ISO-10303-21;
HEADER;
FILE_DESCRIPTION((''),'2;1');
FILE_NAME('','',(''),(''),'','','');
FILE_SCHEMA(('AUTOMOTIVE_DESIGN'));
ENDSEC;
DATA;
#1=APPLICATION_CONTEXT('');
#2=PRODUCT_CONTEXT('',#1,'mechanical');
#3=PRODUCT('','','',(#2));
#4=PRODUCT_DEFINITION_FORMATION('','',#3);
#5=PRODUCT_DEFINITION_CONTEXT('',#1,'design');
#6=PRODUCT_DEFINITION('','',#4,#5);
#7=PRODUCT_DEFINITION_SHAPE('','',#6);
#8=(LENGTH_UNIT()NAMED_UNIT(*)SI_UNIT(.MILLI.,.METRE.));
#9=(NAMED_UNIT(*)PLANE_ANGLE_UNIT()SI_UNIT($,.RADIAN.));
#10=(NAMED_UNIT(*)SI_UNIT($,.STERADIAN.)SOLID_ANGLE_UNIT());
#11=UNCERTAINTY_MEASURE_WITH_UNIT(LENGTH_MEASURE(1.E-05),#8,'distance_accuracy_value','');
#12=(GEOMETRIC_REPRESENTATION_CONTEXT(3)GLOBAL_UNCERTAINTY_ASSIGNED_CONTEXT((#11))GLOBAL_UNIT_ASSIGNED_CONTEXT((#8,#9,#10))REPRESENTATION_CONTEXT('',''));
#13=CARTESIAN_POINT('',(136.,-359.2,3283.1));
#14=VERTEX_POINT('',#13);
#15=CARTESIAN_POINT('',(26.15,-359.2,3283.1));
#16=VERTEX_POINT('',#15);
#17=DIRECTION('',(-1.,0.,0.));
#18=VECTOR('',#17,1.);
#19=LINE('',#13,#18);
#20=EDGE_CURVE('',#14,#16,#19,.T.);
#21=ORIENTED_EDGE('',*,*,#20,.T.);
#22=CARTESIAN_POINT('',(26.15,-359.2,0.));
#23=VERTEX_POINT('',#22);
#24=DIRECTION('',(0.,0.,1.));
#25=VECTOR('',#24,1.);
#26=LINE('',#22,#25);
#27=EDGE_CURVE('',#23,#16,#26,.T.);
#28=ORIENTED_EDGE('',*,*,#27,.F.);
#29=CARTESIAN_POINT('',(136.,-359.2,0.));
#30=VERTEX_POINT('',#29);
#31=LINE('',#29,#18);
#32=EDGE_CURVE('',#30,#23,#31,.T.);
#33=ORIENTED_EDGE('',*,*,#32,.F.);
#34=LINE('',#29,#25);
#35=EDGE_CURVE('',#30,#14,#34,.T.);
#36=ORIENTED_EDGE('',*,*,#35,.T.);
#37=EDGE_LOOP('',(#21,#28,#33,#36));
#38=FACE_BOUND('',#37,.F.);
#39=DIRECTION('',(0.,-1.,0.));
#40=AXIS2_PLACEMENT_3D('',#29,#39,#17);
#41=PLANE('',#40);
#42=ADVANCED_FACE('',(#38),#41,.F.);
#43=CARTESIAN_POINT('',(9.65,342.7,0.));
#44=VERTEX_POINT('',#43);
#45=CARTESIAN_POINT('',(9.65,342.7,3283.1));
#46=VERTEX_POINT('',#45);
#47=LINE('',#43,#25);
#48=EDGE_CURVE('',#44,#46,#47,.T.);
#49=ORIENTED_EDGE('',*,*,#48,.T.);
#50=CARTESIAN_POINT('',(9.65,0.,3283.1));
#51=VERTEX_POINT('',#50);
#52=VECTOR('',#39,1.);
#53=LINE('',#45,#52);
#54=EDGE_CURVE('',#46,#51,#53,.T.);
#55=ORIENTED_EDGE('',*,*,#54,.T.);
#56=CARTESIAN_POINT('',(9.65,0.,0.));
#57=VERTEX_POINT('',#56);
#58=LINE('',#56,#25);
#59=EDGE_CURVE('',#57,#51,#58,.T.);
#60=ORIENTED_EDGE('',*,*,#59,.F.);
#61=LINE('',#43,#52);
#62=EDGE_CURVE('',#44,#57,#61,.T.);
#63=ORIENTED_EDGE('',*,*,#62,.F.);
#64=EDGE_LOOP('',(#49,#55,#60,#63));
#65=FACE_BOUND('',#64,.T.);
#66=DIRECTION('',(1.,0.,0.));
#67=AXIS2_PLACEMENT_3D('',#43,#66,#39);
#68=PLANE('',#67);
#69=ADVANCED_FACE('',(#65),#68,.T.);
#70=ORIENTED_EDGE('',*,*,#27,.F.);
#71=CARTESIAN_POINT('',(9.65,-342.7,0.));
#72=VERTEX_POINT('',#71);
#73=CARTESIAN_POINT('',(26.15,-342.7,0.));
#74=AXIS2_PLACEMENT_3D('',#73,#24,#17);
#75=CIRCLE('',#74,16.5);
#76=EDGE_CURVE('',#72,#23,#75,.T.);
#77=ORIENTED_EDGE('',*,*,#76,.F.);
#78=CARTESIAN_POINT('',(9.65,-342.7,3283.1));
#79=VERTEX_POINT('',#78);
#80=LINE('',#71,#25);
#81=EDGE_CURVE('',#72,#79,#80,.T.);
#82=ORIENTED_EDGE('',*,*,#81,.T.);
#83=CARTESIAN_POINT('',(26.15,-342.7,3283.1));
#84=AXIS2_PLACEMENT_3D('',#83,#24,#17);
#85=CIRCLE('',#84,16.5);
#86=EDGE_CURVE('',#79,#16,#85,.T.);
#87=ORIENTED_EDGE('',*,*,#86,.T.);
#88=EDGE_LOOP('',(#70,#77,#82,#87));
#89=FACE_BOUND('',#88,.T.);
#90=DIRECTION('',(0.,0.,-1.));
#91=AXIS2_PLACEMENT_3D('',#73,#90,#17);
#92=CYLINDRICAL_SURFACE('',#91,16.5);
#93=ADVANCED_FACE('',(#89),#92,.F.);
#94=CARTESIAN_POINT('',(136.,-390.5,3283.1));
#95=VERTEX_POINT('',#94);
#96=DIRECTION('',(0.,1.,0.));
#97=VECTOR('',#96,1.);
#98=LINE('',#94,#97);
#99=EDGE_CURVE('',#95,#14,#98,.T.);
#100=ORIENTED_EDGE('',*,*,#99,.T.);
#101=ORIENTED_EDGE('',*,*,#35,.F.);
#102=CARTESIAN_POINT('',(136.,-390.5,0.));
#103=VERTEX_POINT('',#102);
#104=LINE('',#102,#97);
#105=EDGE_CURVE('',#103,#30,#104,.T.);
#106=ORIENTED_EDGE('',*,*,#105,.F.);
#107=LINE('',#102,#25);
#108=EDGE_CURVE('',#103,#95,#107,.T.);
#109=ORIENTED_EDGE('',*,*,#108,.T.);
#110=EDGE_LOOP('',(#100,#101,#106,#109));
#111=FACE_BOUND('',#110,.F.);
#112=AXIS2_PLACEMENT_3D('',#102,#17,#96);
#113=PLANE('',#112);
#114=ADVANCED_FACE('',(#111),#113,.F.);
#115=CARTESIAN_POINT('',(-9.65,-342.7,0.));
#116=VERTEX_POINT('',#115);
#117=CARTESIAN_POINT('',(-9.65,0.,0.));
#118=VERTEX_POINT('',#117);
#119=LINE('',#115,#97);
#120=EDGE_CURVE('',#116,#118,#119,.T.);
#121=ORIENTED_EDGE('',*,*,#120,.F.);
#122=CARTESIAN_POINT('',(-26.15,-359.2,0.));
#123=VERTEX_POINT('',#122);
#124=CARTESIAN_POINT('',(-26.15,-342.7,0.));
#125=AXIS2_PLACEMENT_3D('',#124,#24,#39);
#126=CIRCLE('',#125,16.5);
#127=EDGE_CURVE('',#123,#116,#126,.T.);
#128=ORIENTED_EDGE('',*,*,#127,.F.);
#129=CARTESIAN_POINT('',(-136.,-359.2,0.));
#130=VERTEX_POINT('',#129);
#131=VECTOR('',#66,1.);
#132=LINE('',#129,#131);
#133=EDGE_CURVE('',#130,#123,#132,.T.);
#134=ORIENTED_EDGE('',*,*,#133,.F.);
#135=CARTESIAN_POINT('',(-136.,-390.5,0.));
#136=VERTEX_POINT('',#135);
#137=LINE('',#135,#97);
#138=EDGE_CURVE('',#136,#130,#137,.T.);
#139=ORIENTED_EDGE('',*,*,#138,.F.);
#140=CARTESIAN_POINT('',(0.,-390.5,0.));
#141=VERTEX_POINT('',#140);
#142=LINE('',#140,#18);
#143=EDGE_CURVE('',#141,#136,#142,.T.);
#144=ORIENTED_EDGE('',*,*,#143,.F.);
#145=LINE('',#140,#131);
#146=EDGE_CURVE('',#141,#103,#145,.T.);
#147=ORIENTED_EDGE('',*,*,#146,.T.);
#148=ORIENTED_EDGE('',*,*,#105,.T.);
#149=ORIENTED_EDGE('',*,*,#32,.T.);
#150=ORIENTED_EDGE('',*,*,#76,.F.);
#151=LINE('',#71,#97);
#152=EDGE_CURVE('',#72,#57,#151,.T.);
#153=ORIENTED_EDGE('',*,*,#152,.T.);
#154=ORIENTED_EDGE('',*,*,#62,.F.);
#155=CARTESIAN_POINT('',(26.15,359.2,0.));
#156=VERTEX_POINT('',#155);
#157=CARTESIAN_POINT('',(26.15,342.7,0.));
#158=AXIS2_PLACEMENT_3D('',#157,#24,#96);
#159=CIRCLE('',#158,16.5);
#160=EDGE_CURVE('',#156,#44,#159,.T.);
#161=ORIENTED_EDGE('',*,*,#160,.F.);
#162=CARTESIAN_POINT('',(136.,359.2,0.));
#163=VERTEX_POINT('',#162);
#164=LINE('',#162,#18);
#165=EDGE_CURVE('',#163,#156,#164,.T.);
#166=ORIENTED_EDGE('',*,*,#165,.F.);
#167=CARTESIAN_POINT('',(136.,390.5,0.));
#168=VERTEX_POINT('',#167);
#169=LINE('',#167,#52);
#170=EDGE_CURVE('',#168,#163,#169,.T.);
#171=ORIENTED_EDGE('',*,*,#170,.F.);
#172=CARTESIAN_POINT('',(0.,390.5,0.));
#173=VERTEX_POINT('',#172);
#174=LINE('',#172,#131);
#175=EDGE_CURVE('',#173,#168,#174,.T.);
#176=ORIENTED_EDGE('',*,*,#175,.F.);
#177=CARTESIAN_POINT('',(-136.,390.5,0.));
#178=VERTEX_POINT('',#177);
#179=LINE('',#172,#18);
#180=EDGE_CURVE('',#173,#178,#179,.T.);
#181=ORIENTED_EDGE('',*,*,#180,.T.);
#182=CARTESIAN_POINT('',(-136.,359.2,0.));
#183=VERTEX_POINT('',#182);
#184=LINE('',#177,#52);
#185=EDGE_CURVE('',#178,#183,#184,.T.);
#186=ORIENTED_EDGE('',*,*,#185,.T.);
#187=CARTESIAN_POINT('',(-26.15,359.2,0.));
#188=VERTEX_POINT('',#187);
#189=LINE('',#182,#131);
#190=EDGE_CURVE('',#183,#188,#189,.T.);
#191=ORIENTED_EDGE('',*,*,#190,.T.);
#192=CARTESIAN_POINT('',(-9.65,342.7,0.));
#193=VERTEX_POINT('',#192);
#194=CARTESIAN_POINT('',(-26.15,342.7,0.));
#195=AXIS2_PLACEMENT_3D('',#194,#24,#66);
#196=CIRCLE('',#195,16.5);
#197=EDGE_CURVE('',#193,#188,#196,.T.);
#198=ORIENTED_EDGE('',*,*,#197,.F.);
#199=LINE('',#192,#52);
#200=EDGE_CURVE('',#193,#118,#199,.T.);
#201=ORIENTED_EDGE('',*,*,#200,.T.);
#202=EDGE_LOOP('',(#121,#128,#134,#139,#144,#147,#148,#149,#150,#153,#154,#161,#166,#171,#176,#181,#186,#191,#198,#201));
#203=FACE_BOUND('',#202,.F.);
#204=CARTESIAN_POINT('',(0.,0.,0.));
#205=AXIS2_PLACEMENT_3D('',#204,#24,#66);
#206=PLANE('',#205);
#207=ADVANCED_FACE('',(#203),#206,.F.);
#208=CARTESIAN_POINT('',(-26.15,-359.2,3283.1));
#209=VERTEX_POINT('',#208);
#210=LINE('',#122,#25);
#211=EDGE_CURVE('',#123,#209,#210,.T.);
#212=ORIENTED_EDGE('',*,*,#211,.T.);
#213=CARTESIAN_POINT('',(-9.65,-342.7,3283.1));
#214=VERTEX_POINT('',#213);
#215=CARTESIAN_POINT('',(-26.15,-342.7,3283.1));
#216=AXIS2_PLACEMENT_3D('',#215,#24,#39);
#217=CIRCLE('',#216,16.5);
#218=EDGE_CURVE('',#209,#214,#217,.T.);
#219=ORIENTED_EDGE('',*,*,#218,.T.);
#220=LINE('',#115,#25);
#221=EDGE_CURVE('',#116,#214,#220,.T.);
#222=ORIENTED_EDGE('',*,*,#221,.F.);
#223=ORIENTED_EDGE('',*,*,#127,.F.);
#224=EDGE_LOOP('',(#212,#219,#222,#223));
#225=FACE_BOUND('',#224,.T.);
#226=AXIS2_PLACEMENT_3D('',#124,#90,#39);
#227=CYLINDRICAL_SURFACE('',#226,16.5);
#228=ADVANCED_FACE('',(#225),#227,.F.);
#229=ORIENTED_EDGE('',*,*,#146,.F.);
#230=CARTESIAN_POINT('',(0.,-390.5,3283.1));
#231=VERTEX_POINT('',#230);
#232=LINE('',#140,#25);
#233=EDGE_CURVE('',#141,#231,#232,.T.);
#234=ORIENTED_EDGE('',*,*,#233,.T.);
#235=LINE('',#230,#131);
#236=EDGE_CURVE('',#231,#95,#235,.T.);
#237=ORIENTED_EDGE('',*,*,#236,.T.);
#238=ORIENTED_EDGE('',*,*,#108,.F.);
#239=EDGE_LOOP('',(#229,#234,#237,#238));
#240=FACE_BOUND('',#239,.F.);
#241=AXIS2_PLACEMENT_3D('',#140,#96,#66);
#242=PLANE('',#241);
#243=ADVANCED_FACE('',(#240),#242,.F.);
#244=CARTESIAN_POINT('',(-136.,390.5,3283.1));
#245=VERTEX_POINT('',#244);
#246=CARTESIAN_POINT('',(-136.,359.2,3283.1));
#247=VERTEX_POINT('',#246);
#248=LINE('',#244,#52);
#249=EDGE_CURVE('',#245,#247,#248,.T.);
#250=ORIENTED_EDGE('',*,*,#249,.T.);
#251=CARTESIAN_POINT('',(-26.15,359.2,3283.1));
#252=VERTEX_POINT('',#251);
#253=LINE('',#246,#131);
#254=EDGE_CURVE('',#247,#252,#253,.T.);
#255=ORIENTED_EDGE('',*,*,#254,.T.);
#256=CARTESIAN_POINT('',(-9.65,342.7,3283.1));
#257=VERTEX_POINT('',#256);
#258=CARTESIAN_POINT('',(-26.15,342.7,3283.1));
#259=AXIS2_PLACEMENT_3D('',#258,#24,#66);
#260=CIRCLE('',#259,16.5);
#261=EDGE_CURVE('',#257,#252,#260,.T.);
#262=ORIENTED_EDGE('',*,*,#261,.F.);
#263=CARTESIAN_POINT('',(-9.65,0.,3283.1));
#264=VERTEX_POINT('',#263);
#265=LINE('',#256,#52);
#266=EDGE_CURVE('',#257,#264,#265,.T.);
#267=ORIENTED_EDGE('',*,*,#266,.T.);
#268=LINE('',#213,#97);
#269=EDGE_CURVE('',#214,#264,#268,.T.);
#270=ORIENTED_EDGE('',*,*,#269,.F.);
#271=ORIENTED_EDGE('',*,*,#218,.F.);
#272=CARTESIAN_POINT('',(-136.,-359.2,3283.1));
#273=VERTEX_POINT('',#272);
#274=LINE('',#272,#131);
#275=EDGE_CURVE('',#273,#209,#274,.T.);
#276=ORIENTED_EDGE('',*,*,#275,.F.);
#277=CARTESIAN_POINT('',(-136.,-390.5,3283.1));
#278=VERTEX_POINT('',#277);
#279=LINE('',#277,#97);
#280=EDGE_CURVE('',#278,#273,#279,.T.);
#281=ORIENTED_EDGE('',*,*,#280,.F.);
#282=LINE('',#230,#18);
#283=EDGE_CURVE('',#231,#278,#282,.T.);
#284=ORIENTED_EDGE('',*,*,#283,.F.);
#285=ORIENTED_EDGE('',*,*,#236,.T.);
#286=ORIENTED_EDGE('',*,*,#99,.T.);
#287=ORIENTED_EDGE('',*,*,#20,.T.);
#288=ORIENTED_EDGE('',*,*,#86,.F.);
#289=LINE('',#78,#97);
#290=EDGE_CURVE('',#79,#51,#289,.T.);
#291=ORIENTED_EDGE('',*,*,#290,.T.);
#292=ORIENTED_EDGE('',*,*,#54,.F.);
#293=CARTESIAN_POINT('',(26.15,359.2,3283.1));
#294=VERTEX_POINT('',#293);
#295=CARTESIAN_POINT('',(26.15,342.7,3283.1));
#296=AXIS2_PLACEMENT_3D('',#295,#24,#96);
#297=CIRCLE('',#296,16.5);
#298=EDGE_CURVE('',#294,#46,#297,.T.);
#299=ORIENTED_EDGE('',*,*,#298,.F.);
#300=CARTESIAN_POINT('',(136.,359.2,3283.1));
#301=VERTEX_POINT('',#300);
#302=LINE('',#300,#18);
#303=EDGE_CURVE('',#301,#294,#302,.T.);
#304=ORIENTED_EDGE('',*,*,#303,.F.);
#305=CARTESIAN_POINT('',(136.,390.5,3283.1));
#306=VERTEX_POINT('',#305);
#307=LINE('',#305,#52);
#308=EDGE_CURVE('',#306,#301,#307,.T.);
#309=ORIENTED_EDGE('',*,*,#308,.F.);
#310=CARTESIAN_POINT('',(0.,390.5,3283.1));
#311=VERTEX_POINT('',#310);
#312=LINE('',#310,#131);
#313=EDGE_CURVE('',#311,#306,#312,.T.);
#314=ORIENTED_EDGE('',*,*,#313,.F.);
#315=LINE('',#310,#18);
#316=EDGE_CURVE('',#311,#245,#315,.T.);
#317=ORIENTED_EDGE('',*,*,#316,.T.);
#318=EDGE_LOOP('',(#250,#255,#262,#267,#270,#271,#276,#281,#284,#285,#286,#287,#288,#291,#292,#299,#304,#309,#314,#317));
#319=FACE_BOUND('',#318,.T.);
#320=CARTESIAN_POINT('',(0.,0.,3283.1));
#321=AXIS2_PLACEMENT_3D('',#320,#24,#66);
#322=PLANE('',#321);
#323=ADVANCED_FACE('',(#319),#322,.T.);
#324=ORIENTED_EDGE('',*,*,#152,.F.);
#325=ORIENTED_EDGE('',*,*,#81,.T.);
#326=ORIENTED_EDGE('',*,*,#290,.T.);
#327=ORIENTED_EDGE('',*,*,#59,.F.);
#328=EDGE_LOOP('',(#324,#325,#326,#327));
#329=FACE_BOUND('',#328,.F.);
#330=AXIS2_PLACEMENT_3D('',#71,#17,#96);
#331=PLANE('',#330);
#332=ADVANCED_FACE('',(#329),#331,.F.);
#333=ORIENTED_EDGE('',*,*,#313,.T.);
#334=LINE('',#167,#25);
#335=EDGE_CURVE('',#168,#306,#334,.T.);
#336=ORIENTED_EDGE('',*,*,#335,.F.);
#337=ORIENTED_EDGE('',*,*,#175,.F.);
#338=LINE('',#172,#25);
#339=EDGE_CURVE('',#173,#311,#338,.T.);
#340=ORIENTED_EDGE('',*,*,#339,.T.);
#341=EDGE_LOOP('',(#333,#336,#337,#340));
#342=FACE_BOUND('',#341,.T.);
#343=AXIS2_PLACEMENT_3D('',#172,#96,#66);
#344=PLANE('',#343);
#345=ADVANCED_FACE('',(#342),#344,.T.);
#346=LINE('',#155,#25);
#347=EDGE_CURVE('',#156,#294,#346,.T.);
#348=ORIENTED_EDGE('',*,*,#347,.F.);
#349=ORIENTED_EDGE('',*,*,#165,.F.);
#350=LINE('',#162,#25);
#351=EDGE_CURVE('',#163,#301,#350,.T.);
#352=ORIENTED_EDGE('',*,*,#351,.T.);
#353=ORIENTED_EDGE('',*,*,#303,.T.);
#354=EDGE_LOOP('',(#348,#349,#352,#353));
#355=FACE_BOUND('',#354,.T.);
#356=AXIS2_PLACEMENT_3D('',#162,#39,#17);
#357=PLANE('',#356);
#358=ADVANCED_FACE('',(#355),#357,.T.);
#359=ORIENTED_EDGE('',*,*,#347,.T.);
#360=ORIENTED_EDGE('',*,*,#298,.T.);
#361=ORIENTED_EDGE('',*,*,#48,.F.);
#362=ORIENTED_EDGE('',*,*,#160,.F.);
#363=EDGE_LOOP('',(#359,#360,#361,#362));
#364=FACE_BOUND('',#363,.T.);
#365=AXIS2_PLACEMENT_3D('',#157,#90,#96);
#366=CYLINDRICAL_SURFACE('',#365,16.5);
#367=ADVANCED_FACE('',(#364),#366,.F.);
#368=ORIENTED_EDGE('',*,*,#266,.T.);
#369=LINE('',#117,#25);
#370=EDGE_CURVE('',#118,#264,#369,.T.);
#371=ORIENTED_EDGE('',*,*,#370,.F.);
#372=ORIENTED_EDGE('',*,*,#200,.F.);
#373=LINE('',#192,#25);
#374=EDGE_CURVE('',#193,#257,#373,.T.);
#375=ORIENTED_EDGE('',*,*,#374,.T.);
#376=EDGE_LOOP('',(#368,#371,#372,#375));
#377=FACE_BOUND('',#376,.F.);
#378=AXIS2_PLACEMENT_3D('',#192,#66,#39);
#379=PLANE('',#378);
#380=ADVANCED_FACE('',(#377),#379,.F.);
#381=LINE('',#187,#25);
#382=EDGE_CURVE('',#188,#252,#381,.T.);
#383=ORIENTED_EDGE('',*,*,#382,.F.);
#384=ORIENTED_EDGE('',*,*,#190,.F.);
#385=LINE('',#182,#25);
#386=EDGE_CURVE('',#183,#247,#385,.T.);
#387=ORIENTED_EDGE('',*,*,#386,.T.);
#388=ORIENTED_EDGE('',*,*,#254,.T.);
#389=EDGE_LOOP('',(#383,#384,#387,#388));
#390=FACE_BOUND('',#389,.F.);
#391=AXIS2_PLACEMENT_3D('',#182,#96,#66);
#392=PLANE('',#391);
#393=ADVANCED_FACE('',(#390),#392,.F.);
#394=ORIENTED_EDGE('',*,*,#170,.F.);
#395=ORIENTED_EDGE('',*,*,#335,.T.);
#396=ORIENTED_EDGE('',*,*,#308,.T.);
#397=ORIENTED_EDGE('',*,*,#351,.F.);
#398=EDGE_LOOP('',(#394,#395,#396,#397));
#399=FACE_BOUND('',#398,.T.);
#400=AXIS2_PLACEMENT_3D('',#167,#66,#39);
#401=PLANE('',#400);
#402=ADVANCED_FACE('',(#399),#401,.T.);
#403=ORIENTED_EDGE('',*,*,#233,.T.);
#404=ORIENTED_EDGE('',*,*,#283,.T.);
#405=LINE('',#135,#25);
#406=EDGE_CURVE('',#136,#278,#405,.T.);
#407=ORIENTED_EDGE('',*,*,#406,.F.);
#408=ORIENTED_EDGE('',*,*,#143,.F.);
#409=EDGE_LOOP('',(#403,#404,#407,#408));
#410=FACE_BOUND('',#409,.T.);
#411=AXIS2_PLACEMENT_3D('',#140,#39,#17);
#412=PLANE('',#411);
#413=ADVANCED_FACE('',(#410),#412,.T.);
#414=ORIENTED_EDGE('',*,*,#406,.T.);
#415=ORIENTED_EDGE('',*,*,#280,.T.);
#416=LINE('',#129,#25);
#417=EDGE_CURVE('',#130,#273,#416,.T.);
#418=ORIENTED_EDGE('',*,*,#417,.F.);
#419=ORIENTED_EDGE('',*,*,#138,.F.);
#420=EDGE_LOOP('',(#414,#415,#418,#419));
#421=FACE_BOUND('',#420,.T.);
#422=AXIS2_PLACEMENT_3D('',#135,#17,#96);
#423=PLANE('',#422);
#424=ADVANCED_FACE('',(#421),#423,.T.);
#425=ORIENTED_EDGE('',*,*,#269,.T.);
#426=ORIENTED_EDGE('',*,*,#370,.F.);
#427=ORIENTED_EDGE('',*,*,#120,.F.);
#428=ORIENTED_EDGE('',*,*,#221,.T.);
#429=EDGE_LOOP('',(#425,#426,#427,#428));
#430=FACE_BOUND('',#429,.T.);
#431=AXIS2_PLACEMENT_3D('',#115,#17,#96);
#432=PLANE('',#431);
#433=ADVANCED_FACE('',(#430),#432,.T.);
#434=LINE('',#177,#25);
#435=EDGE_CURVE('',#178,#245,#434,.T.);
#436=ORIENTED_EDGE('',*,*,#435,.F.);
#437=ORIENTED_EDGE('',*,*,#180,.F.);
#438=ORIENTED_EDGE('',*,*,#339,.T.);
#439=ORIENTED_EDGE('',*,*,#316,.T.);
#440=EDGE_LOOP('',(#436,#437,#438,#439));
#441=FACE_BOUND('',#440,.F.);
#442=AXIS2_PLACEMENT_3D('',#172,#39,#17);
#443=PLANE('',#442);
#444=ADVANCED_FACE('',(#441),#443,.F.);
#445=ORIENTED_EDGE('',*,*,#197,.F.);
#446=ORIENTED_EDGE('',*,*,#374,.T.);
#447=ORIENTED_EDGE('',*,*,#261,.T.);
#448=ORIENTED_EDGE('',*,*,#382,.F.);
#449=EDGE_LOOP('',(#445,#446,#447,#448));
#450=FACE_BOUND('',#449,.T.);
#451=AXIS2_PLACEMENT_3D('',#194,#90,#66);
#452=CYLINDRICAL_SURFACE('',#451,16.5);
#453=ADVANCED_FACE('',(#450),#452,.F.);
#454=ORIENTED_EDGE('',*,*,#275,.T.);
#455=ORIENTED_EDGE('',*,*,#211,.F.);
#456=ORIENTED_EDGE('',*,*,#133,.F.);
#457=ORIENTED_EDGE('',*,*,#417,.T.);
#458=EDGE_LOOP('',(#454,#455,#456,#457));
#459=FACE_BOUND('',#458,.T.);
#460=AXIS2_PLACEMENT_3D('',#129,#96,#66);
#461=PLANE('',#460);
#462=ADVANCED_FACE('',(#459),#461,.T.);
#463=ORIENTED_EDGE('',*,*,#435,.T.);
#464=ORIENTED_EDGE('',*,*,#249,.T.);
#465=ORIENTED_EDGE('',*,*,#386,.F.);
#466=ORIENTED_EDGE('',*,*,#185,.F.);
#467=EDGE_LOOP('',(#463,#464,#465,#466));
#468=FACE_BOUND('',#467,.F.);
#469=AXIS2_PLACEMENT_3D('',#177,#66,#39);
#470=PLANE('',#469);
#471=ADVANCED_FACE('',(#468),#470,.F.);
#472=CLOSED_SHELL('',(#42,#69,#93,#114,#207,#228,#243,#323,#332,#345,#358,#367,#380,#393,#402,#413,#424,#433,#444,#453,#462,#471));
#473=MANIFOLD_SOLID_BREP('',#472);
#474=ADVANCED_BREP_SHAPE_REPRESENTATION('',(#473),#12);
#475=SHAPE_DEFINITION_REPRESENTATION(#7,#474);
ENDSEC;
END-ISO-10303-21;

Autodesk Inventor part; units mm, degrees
ref_plane "YZ Plane" through (0, 0, 0) normal (1, 0, 0) x (0, 1, 0)
ref_plane "Start plane" through (0, 0, 0) normal (0, 0, 1) x (1, 0, 0)
ref_plane "End plane" through (0, 0, 3283.1) normal (0, 0, 1) x (1, 0, 0)
sketch "Sketch" plane through (0, 0, 0) normal (0, 0, 1) x (1, 0, 0)
  line L0 (-136, -390.5) -> (-136, -359.2)
  line L1 (-136, -359.2) -> (-26.15, -359.2)
  line L2 (-9.65, -342.7) -> (-9.65, 0)
  line L3 (-9.65, 0) -> (0, 0) construction
  line L4 (0, 0) -> (0, -390.5) construction
  line L5 (0, -390.5) -> (-136, -390.5)
  line L6 (-60, 0) -> (80, 0) construction
  line L7 (0, -60) -> (0, 80) construction
  line L8 (136, -390.5) -> (136, -359.2)
  line L9 (136, -359.2) -> (26.15, -359.2)
  line L10 (9.65, -342.7) -> (9.65, 0)
  line L11 (9.65, 0) -> (0, 0) construction
  line L12 (0, -390.5) -> (136, -390.5)
  line L13 (-136, 390.5) -> (-136, 359.2)
  line L14 (-136, 359.2) -> (-26.15, 359.2)
  line L15 (-9.65, 342.7) -> (-9.65, 0)
  line L16 (0, 390.5) -> (-136, 390.5)
  line L17 (136, 390.5) -> (136, 359.2)
  line L18 (136, 359.2) -> (26.15, 359.2)
  line L19 (0, 390.5) -> (136, 390.5)
  line L20 (9.65, 342.7) -> (9.65, 0)
  arc A0 (-9.65, 342.7) -> (-26.15, 359.2) centre (-26.15, 342.7) ccw
  arc A1 (26.15, 359.2) -> (9.65, 342.7) centre (26.15, 342.7) ccw
  arc A2 (9.65, -342.7) -> (26.15, -359.2) centre (26.15, -342.7) ccw
  arc A3 (-26.15, -359.2) -> (-9.65, -342.7) centre (-26.15, -342.7) ccw
  line L21 (0, 108) -> (0, -88) construction
  line L22 (-88, 0) -> (108, 0) construction
  point P0 (-9.65, -359.2)
  point P1 (9.65, -359.2)
  point P2 (-9.65, 359.2)
  point P3 (9.65, 359.2)
  dimension "d1" = 390.5
  dimension "d2" = 31.3
  dimension "d3" = 136
  dimension "d4" = 9.65
  dimension "d10" = 16.5
extrude "Body" add sketch "Sketch" along normal up to surface (3283.1 mm away) from surface at 0
sketch "Sketch4" plane through (0, 0, 0) normal (0, 0, 1) x (1, 0, 0)
  line L0 (0, 0) -> (10, 0)
ref_plane "Work Plane3" through (0, 0, 0) normal (0, -1, 0) x (1, 0, 0)
sketch "Sketch5" plane through (0, 0, 0) normal (0, -1, 0) x (1, 0, 0)
  line L0 (-2, 0) -> (12, 0) projected
  line L1 (-2, 3283.1) -> (12, 3283.1) projected
  dimension "d14" = 3283.1
equation "\"d1\" = 0.5 * G_H"
equation "\"d2\" = G_T1"
equation "\"d3\" = 0.5 * G_W"
equation "\"d4\" = 0.5 * G_T"
equation "\"d10\" = G_IR"
equation "\"d5\" = G_L"
equation "\"G_W\" = 272"
equation "\"G_H\" = 781"
equation "\"G_T\" = 19.3"
equation "\"G_T1\" = 31.3"
equation "\"G_IR\" = 16.5"
equation "\"G_L\" = d14"
equation "\"G_OFFSET_START\" = 0"
equation "\"G_OFFSET_END\" = 0"
equation "\"d12\" = G_OFFSET_END + B_L"
equation "\"B_L\" = 3283.1"
properties part number "AS 3679-1990 - 760 UB - 244 - 3283.1" material "Steel, Mild"
